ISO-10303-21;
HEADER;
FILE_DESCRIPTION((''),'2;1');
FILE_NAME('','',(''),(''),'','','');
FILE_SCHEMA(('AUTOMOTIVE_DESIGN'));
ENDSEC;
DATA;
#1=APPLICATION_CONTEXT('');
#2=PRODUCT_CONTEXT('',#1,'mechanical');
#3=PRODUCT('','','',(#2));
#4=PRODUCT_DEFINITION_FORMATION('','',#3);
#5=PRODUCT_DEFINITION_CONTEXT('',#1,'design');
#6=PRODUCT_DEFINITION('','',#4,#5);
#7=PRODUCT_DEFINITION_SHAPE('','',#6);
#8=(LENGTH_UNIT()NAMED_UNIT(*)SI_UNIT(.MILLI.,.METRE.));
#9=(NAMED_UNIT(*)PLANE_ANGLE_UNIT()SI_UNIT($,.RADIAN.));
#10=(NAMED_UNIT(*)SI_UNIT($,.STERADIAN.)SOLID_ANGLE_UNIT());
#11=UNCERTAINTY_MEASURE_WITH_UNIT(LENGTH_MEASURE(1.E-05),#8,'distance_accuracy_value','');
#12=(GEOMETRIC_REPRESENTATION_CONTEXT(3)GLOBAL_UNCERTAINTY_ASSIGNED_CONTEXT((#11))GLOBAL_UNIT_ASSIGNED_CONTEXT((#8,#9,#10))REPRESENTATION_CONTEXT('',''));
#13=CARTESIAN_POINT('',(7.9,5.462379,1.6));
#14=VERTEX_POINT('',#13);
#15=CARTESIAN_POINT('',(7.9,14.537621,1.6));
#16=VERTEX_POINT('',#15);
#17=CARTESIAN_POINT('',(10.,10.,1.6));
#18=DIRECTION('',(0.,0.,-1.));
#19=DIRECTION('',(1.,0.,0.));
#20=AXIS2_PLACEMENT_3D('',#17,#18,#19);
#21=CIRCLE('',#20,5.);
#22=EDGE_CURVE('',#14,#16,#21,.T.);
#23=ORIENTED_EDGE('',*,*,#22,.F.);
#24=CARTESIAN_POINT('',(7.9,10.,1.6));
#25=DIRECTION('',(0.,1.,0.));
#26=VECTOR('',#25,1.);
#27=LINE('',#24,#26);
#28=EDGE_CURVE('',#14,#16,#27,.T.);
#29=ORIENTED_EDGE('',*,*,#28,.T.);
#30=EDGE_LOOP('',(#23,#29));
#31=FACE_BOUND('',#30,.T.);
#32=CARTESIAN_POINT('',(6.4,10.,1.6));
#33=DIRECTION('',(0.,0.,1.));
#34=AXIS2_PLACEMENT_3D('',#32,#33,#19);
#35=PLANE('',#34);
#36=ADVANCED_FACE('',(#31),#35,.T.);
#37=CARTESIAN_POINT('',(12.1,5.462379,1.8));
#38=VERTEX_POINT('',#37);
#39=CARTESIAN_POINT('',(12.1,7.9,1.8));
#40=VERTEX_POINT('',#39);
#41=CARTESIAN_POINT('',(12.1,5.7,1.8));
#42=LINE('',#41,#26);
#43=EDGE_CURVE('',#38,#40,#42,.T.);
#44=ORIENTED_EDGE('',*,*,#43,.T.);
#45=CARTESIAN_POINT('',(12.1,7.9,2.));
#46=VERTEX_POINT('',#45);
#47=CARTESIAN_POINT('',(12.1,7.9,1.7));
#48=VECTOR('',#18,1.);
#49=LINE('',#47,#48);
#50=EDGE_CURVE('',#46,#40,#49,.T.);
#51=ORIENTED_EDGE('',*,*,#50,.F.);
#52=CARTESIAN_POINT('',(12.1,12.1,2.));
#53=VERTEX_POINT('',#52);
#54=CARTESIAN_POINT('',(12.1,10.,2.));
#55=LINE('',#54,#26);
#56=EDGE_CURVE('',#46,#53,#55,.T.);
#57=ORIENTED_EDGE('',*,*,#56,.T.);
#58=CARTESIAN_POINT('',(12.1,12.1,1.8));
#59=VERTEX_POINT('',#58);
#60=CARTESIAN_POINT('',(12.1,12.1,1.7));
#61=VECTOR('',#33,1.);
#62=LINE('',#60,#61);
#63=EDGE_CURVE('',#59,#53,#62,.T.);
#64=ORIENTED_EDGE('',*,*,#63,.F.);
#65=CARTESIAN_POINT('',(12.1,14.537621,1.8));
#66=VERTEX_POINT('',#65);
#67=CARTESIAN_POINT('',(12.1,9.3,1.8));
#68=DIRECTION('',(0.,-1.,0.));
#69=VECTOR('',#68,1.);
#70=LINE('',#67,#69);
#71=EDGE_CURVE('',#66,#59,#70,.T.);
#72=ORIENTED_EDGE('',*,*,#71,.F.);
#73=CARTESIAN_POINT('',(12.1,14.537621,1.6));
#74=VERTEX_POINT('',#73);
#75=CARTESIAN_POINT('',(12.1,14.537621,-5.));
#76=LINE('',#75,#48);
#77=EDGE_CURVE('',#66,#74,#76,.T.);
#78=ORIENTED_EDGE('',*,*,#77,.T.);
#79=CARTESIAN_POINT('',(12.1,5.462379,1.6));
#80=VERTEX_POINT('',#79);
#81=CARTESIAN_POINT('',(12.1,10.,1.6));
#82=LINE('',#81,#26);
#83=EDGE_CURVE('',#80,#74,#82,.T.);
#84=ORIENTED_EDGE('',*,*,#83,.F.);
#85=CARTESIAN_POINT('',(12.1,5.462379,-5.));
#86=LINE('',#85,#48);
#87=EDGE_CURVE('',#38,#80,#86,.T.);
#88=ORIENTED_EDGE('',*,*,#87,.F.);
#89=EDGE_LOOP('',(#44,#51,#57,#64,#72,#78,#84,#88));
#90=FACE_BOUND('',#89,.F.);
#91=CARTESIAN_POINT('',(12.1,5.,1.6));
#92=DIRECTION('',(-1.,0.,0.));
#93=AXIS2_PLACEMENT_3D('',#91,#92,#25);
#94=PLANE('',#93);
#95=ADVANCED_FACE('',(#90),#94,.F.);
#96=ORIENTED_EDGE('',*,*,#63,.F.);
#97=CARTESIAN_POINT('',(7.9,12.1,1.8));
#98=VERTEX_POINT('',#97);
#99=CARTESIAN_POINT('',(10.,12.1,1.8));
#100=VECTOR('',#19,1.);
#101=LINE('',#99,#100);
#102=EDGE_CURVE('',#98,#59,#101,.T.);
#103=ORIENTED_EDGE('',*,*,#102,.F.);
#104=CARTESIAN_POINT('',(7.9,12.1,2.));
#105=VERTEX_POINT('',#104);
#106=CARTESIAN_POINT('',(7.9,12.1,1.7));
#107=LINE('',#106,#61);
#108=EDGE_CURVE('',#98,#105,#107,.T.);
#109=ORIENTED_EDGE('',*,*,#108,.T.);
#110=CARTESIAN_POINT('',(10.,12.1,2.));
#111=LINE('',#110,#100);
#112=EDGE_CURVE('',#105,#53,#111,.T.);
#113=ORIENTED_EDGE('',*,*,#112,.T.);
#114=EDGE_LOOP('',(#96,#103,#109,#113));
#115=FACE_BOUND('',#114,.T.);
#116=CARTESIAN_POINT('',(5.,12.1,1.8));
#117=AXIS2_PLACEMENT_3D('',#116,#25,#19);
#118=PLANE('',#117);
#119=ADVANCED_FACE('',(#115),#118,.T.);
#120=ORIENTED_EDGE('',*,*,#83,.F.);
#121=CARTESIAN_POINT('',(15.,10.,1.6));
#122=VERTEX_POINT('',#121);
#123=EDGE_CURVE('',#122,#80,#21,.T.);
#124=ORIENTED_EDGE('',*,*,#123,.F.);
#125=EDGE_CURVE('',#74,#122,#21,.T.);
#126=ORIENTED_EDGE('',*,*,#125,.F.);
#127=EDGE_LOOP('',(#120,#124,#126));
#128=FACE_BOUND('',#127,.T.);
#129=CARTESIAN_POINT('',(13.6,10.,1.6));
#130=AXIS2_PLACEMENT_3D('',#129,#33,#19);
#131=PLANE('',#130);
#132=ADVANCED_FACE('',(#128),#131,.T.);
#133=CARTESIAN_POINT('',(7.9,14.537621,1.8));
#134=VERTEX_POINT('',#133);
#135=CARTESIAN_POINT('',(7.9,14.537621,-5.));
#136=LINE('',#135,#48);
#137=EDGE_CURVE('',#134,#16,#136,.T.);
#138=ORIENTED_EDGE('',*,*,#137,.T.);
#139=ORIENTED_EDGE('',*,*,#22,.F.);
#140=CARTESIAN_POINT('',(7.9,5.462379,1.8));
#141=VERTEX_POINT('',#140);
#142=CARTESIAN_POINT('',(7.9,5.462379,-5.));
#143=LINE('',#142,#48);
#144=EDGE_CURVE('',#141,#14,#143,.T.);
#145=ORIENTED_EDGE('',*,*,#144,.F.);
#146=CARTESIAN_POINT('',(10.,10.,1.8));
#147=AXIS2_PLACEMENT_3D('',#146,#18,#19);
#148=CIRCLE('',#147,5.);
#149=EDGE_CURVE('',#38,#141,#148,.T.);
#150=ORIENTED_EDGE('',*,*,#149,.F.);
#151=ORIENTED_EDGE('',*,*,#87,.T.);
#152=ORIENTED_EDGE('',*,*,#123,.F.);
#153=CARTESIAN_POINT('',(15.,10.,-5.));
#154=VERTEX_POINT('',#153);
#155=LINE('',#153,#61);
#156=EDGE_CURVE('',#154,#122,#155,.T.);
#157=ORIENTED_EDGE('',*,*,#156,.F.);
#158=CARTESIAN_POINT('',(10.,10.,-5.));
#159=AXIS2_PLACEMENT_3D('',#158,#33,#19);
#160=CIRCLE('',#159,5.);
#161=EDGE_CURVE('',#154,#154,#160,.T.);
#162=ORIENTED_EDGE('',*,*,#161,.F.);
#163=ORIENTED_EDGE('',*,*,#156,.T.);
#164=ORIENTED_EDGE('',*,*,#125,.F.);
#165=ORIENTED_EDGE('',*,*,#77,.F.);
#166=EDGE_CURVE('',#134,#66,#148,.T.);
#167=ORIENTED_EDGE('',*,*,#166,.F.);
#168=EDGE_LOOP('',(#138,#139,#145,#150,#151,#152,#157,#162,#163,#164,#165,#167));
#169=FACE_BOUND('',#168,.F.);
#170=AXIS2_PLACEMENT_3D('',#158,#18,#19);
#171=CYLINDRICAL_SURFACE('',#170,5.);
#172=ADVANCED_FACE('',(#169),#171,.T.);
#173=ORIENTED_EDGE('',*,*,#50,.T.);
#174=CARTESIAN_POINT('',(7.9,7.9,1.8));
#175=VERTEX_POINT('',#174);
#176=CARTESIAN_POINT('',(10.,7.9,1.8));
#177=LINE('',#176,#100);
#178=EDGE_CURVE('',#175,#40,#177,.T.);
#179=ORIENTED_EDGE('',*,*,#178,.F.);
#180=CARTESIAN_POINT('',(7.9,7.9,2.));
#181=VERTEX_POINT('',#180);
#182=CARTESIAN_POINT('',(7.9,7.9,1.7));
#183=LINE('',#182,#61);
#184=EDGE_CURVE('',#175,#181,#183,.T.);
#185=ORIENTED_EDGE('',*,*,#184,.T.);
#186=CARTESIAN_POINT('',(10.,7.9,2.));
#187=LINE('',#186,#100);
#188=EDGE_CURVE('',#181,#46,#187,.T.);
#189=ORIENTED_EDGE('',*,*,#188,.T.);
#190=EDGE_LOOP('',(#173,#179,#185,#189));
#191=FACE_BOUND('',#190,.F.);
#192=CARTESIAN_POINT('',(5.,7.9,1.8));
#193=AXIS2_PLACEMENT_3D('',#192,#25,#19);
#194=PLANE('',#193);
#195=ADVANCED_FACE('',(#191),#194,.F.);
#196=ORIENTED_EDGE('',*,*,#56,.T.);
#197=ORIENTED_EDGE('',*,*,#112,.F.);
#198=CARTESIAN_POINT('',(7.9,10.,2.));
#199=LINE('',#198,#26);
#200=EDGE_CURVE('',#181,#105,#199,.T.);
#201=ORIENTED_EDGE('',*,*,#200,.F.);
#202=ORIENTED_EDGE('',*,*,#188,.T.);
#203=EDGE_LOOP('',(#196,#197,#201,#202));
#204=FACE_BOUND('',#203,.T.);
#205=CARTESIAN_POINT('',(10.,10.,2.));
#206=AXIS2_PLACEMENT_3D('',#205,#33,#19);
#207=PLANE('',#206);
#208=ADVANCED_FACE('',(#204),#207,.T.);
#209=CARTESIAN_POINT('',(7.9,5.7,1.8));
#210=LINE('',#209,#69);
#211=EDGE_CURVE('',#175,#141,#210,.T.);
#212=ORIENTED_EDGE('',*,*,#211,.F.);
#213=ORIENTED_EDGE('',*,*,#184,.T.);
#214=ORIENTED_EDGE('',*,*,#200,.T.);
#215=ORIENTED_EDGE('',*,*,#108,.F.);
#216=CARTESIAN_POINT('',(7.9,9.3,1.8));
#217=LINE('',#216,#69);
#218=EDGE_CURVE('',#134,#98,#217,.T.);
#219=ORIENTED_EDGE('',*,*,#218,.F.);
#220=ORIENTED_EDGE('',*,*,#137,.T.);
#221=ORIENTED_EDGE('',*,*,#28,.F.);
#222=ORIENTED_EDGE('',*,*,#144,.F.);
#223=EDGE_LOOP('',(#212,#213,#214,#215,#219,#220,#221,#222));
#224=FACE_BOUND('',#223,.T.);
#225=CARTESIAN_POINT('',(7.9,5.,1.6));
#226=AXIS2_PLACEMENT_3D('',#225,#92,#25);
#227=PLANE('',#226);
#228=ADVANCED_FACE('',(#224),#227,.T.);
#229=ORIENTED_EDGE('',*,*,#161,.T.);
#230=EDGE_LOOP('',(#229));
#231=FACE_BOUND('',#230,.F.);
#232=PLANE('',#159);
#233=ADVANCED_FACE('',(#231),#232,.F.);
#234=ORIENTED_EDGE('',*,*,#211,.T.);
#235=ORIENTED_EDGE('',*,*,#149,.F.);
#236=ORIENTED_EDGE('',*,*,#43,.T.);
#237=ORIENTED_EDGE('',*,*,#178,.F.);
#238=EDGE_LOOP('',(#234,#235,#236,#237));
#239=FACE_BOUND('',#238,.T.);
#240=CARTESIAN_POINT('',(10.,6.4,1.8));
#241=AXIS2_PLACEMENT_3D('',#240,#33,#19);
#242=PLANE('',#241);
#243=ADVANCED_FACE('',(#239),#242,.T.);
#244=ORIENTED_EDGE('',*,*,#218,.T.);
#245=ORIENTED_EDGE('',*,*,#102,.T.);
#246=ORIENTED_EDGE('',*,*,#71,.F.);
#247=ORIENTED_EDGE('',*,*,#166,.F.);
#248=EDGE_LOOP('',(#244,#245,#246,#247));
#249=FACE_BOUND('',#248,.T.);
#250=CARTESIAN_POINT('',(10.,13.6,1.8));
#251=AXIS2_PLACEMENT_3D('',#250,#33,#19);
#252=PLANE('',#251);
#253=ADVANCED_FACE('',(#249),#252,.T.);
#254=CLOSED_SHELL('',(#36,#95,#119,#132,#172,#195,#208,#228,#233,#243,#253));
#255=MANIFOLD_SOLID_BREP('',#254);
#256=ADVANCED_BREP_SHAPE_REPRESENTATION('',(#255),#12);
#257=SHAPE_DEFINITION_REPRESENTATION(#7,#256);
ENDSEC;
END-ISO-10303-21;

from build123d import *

# Parameters (mm, degrees)
BOX007_W       = 3
BOX007_H       = 10
BOX007_DEPTH   = 0.4
BOX005_W       = 10
BOX005_H       = 3
BOX005_DEPTH   = 0.2
BOX006_W       = 3
BOX006_H       = 10
BOX006_DEPTH   = 0.4
BOX004_W       = 10
BOX004_H       = 3
BOX004_DEPTH   = 0.2
CYLINDER_R     = 5
CYLINDER_DEPTH = 7


with BuildPart() as cube007:
    # Box007 → Box007 (new body)
    with BuildSketch(Plane(origin=(12.1, 5, 1.6), x_dir=(1, 0, 0), z_dir=(0, 0, 1))):
        with Locations((1.5, 5)):
            Rectangle(BOX007_W, BOX007_H)
    extrude(amount=BOX007_DEPTH)


with BuildPart() as cube005:
    # Box005 → Box005 (new body)
    with BuildSketch(Plane(origin=(5, 4.9, 1.8), x_dir=(1, 0, 0), z_dir=(0, 0, 1))):
        with Locations((5, 1.5)):
            Rectangle(BOX005_W, BOX005_H)
    extrude(amount=BOX005_DEPTH)


with BuildPart() as cube006:
    # Box006 → Box006 (new body)
    with BuildSketch(Plane(origin=(4.9, 5, 1.6), x_dir=(1, 0, 0), z_dir=(0, 0, 1))):
        with Locations((1.5, 5)):
            Rectangle(BOX006_W, BOX006_H)
    extrude(amount=BOX006_DEPTH)


with BuildPart() as fusion001:
    # Box004 → Box004 (new body)
    with BuildSketch(Plane(origin=(5, 12.1, 1.8), x_dir=(1, 0, 0), z_dir=(0, 0, 1))):
        with Locations((5, 1.5)):
            Rectangle(BOX004_W, BOX004_H)
    extrude(amount=BOX004_DEPTH)

    # Fusion001: union Cube007, Cube005, Cube006
    add(cube007.part)
    add(cube005.part)
    add(cube006.part)


with BuildPart() as screw_template:
    # Cylinder → Cylinder (new body)
    with BuildSketch(Plane(origin=(10, 10, -5), x_dir=(1, 0, 0), z_dir=(0, 0, 1))):
        Circle(CYLINDER_R)
    extrude(amount=CYLINDER_DEPTH)

    # Cut003: cut Fusion001
    add(fusion001.part, mode=Mode.SUBTRACT)


solid = screw_template.part
